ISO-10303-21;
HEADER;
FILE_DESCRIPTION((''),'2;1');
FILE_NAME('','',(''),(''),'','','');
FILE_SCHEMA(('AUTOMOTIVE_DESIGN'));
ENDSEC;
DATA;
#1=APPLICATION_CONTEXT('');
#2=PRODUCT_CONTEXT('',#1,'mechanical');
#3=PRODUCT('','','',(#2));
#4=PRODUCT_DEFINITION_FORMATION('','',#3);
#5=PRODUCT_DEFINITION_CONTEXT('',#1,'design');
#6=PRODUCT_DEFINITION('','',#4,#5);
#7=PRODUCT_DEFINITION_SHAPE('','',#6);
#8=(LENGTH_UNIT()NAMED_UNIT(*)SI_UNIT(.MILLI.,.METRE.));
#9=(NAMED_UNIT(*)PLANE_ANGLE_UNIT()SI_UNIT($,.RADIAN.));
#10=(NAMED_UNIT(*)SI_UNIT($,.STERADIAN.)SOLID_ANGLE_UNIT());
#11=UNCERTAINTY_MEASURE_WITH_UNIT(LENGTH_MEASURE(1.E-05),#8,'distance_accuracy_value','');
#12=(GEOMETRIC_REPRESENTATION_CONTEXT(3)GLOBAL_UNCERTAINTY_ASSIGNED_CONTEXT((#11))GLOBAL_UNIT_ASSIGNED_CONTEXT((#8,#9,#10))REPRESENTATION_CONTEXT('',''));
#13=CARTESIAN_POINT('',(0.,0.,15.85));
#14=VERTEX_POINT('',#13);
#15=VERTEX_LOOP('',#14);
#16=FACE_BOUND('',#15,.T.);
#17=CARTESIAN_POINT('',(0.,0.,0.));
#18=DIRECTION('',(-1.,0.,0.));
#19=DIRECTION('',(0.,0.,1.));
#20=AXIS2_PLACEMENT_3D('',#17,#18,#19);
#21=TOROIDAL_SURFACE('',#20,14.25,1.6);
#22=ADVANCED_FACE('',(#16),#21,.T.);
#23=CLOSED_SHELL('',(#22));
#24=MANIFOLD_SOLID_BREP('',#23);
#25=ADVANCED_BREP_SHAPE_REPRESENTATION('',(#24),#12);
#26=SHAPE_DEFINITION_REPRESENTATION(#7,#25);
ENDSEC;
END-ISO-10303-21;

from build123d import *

# Parameters (mm, degrees)
SKETCH_1_R = 1.6


with BuildPart() as part:
    # 草图1 → 旋转1 (revolve)
    with BuildSketch(Plane.XY, mode=Mode.PRIVATE) as revolve_1_sk:
        with Locations((0, 14.25)):
            Circle(SKETCH_1_R)
    revolve(revolve_1_sk.sketch.rotate(Axis((0, 0, 0), (1, 0, 0)), 90), axis=Axis((0, 0, 0), (1, 0, 0)))


solid = part.part
